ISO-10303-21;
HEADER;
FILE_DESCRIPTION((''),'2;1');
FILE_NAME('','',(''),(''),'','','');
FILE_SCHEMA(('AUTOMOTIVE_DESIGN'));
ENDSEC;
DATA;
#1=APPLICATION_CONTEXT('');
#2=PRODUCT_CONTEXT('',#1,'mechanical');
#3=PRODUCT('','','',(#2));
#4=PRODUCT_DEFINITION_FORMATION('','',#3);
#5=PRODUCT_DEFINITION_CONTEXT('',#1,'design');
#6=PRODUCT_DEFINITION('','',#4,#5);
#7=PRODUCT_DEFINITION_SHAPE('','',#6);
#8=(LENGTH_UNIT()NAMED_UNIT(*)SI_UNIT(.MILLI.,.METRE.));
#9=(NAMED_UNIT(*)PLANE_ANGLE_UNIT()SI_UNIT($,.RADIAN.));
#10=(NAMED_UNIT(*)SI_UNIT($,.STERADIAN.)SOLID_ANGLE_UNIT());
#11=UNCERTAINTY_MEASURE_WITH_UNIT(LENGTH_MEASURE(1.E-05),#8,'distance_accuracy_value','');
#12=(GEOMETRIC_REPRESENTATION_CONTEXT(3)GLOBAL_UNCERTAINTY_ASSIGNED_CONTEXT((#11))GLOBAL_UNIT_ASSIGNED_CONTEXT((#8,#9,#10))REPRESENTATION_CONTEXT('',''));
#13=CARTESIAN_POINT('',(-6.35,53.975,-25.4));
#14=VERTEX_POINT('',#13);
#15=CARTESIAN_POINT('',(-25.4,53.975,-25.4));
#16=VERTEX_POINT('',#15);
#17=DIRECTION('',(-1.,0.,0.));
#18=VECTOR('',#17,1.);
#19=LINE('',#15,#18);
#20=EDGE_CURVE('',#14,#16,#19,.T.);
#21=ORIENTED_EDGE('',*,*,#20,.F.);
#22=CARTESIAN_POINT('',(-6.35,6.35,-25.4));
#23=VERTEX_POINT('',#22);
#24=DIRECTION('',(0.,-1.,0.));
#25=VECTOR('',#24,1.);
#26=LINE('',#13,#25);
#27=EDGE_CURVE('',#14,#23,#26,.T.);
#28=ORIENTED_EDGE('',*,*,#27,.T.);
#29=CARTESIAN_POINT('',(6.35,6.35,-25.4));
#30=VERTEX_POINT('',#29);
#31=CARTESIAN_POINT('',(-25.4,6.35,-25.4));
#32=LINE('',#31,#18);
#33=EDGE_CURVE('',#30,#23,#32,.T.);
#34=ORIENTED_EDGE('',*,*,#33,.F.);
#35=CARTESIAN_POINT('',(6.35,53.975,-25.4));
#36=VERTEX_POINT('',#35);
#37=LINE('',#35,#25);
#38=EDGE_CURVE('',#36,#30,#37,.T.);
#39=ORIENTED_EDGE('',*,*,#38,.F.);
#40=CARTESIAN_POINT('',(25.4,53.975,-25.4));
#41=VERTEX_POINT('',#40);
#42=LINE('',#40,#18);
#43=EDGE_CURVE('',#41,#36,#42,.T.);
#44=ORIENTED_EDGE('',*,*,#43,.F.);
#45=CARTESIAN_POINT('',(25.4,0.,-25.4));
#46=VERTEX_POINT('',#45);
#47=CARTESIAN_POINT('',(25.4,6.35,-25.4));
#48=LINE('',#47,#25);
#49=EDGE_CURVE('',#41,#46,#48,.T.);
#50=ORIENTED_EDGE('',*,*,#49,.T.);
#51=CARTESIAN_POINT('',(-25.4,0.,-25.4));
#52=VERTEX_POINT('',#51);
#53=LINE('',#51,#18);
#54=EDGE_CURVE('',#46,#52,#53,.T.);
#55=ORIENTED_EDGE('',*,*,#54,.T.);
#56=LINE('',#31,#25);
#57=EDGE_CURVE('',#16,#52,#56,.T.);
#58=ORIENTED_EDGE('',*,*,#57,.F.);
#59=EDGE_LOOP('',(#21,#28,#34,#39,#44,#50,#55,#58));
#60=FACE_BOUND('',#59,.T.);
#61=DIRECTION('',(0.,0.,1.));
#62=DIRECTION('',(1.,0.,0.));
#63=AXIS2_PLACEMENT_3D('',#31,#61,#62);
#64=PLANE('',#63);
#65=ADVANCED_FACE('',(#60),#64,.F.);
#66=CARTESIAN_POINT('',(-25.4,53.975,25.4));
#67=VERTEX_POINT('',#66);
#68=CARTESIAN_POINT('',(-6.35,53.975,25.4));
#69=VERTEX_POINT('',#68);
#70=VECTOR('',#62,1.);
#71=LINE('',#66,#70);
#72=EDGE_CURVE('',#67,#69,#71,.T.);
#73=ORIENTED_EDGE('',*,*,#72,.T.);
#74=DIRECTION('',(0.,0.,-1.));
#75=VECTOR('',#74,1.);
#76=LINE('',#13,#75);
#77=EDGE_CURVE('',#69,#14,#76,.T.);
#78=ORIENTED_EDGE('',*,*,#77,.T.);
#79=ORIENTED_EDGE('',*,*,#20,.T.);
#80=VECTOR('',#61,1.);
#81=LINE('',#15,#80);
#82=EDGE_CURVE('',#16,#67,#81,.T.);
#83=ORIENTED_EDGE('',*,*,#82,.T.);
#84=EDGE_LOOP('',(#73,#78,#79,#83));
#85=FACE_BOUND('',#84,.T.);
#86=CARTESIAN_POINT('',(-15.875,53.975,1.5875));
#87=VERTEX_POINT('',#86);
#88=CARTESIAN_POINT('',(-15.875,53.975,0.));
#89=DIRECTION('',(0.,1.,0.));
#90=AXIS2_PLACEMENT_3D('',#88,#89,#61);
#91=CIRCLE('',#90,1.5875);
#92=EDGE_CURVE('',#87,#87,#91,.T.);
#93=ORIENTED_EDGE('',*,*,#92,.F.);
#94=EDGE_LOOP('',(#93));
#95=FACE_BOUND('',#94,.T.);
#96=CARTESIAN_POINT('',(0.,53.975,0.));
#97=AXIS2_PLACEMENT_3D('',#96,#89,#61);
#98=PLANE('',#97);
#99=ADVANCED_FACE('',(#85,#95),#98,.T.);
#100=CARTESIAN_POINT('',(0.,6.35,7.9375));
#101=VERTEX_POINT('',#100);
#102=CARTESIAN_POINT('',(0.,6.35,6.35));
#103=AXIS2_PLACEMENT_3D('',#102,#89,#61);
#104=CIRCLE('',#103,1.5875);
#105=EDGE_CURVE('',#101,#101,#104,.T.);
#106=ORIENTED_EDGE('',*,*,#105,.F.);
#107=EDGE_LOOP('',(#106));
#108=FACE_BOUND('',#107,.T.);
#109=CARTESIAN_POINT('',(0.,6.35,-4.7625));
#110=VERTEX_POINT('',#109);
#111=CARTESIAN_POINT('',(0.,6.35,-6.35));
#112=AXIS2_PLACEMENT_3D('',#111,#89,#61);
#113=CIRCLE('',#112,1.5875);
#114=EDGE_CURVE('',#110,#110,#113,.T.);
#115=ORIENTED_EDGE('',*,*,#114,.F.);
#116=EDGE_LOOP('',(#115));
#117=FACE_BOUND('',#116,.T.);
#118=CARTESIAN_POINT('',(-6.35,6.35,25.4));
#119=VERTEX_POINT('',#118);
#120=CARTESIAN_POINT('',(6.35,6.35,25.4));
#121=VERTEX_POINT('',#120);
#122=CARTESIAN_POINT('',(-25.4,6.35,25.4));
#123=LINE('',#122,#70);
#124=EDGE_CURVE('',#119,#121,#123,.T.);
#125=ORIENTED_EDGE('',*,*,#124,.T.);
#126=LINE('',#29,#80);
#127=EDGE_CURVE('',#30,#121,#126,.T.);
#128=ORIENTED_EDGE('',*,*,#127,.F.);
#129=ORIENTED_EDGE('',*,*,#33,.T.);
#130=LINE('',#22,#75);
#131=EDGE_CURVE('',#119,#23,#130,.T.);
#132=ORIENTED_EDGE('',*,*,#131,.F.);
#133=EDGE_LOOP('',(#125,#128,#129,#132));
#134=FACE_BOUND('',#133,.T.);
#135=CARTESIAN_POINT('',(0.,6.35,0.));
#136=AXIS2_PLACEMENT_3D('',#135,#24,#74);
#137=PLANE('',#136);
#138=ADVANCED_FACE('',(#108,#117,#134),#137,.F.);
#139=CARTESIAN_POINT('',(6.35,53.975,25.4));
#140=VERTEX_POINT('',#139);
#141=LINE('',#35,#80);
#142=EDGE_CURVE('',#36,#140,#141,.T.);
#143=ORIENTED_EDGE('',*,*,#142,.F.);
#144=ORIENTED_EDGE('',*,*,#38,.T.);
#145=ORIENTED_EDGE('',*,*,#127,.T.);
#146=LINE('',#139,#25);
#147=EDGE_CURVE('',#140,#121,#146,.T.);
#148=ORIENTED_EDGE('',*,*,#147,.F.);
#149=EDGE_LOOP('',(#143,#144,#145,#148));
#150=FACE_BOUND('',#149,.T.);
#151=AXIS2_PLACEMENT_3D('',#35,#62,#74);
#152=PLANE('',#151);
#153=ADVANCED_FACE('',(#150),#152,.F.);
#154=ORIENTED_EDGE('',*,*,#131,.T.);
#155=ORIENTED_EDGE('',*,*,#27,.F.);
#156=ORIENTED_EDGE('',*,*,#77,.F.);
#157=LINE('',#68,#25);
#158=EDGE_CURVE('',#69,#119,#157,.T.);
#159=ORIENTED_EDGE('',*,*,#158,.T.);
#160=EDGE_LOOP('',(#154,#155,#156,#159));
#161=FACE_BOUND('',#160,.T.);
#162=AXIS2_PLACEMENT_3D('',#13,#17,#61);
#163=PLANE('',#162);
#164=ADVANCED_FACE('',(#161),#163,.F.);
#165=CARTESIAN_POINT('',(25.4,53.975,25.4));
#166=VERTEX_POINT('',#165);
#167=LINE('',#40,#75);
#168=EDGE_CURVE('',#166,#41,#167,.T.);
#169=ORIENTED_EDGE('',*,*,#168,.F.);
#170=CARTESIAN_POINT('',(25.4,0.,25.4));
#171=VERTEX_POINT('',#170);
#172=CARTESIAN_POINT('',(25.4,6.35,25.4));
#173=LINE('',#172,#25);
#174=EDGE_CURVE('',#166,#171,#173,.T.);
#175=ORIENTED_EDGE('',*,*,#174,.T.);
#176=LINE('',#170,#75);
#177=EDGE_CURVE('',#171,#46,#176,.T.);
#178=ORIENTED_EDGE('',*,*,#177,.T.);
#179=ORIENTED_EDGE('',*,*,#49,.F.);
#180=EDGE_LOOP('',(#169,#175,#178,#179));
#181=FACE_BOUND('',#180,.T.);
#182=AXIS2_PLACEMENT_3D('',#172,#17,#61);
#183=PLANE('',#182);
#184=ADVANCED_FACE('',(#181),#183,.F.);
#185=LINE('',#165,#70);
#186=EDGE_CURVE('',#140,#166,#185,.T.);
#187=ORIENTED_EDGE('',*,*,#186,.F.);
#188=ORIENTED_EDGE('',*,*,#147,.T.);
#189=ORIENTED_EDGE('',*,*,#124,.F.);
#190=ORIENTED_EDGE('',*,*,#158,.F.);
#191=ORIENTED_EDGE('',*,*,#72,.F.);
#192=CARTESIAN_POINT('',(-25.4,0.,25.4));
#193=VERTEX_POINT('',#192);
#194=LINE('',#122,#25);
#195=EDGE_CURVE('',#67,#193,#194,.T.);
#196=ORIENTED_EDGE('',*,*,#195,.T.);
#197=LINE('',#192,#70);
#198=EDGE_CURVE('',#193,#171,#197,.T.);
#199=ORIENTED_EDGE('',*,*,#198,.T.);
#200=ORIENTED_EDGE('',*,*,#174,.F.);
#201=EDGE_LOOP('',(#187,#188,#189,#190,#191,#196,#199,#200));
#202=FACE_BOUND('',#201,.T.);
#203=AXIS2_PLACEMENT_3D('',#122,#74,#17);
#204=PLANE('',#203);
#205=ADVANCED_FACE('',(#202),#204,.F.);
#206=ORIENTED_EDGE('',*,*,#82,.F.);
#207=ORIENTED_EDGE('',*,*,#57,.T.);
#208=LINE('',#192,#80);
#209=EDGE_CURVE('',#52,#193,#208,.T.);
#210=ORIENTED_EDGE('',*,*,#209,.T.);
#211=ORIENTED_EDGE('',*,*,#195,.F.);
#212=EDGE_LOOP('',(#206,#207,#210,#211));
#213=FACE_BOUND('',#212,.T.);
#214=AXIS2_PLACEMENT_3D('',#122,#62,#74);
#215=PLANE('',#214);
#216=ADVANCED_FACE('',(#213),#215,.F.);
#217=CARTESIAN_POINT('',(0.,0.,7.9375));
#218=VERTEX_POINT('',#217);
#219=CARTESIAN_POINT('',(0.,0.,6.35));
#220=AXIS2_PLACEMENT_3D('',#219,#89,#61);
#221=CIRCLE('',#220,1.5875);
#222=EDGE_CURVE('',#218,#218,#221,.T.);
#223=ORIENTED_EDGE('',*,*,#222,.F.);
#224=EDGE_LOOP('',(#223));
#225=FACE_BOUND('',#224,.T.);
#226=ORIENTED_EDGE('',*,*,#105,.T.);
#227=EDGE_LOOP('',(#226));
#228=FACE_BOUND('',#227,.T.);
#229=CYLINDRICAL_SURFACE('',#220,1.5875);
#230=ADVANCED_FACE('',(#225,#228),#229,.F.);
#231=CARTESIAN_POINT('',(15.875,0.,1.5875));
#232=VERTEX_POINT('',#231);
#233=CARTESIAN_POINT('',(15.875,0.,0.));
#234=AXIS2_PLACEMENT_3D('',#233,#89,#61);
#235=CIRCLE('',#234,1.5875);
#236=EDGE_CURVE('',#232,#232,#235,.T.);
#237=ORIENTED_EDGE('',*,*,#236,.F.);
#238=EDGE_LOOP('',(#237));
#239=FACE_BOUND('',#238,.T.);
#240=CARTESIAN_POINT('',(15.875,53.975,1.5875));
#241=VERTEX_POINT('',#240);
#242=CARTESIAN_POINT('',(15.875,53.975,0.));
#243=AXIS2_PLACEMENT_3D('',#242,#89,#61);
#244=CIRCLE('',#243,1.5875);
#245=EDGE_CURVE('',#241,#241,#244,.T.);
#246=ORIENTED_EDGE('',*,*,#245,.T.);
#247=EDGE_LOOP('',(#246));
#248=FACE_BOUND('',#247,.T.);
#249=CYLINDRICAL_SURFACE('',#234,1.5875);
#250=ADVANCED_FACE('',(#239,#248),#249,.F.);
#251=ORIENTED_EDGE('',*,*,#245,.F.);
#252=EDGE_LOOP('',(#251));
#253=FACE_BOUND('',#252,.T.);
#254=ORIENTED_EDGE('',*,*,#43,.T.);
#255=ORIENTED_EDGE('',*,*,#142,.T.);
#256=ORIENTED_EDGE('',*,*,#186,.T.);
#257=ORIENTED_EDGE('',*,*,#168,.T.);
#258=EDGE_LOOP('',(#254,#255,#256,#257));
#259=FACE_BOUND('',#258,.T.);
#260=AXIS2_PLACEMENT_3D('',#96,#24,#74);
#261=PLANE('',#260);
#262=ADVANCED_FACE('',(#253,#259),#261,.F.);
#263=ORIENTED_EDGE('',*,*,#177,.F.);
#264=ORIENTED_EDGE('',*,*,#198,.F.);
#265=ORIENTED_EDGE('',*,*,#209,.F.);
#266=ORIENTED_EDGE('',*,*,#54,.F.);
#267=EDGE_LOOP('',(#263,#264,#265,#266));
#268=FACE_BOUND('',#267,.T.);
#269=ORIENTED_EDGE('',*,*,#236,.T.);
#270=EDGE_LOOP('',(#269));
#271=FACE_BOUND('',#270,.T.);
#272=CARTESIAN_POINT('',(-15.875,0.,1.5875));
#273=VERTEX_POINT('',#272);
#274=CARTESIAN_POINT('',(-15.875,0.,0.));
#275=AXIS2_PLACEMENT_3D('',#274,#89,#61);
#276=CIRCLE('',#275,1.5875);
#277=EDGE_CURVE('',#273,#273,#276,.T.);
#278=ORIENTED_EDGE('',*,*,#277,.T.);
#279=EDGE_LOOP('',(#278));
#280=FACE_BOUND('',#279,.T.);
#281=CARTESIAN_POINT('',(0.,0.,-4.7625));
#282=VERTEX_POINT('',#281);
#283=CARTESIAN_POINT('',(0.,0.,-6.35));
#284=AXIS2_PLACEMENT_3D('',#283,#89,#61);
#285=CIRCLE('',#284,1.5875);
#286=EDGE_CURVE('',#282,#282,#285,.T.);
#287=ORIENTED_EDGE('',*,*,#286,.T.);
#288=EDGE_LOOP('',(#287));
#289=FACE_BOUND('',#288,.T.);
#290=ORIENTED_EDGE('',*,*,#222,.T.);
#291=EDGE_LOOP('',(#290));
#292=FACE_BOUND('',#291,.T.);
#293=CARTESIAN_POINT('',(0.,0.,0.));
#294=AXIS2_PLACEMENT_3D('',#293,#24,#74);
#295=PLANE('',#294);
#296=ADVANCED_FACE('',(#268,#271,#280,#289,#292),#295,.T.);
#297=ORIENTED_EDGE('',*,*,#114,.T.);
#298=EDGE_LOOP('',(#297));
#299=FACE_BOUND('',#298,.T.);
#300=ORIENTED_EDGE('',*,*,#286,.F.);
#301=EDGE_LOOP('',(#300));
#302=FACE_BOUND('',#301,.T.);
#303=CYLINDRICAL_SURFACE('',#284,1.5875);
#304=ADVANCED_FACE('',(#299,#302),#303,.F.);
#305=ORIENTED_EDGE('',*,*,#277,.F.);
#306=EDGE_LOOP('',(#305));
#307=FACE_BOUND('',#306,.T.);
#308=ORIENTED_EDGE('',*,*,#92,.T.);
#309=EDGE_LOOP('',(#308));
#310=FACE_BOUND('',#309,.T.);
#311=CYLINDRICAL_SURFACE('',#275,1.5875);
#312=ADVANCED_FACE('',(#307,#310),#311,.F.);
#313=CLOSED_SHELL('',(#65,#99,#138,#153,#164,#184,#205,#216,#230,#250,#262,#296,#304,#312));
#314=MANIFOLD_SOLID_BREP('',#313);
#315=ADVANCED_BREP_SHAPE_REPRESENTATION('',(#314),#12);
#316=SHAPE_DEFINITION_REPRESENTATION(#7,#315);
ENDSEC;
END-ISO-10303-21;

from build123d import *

# Parameters (mm, degrees)
SKETCH1_W           = 50.8
SKETCH1_H           = 50.8
BOSS_EXTRUDE1_DEPTH = 6.35
SKETCH2_W           = 19.05
SKETCH2_H           = 50.8
BOSS_EXTRUDE2_DEPTH = 47.625
SKETCH3_R           = 1.5875
CUT_EXTRUDE1_DEPTH  = 60.652834174
SKETCH4_R           = 1.5875
CUT_EXTRUDE2_DEPTH  = 65.835334695


with BuildPart() as part:
    # Sketch1 → Boss-Extrude1 (new body)
    with BuildSketch(Plane(origin=(0, 0, 0), x_dir=(1, 0, 0), z_dir=(0, 1, 0))):
        Rectangle(SKETCH1_W, SKETCH1_H)
    extrude(amount=BOSS_EXTRUDE1_DEPTH)

    # Sketch2 → Boss-Extrude2 (add)
    with BuildSketch(Plane(origin=(0, 6.35, 0), x_dir=(1, 0, 0), z_dir=(0, 1, 0))):
        with Locations((-15.875, 0)):
            Rectangle(SKETCH2_W, SKETCH2_H)
        with Locations((15.875, 0)):
            Rectangle(SKETCH2_W, SKETCH2_H)
    extrude(amount=BOSS_EXTRUDE2_DEPTH)

    # Sketch3 → Cut-Extrude1 (cut, through all)
    with BuildSketch(Plane(origin=(0, 6.35, 0), x_dir=(1, 0, 0), z_dir=(0, 1, 0))):
        with Locations(Location((0, 6.35, 0), (0, 0, 270))):
            Circle(SKETCH3_R)
        with Locations(Location((0, -6.35, 0), (0, 0, 270))):
            Circle(SKETCH3_R)
    extrude(amount=-CUT_EXTRUDE1_DEPTH, mode=Mode.SUBTRACT)

    # Sketch4 → Cut-Extrude2 (cut, through all)
    with BuildSketch(Plane(origin=(0, 53.975, 0), x_dir=(1, 0, 0), z_dir=(0, 1, 0))):
        with Locations(Location((-15.875, 0, 0), (0, 0, 270))):
            Circle(SKETCH4_R)
        with Locations(Location((15.875, 0, 0), (0, 0, 270))):
            Circle(SKETCH4_R)
    extrude(amount=-CUT_EXTRUDE2_DEPTH, mode=Mode.SUBTRACT)


solid = part.part
